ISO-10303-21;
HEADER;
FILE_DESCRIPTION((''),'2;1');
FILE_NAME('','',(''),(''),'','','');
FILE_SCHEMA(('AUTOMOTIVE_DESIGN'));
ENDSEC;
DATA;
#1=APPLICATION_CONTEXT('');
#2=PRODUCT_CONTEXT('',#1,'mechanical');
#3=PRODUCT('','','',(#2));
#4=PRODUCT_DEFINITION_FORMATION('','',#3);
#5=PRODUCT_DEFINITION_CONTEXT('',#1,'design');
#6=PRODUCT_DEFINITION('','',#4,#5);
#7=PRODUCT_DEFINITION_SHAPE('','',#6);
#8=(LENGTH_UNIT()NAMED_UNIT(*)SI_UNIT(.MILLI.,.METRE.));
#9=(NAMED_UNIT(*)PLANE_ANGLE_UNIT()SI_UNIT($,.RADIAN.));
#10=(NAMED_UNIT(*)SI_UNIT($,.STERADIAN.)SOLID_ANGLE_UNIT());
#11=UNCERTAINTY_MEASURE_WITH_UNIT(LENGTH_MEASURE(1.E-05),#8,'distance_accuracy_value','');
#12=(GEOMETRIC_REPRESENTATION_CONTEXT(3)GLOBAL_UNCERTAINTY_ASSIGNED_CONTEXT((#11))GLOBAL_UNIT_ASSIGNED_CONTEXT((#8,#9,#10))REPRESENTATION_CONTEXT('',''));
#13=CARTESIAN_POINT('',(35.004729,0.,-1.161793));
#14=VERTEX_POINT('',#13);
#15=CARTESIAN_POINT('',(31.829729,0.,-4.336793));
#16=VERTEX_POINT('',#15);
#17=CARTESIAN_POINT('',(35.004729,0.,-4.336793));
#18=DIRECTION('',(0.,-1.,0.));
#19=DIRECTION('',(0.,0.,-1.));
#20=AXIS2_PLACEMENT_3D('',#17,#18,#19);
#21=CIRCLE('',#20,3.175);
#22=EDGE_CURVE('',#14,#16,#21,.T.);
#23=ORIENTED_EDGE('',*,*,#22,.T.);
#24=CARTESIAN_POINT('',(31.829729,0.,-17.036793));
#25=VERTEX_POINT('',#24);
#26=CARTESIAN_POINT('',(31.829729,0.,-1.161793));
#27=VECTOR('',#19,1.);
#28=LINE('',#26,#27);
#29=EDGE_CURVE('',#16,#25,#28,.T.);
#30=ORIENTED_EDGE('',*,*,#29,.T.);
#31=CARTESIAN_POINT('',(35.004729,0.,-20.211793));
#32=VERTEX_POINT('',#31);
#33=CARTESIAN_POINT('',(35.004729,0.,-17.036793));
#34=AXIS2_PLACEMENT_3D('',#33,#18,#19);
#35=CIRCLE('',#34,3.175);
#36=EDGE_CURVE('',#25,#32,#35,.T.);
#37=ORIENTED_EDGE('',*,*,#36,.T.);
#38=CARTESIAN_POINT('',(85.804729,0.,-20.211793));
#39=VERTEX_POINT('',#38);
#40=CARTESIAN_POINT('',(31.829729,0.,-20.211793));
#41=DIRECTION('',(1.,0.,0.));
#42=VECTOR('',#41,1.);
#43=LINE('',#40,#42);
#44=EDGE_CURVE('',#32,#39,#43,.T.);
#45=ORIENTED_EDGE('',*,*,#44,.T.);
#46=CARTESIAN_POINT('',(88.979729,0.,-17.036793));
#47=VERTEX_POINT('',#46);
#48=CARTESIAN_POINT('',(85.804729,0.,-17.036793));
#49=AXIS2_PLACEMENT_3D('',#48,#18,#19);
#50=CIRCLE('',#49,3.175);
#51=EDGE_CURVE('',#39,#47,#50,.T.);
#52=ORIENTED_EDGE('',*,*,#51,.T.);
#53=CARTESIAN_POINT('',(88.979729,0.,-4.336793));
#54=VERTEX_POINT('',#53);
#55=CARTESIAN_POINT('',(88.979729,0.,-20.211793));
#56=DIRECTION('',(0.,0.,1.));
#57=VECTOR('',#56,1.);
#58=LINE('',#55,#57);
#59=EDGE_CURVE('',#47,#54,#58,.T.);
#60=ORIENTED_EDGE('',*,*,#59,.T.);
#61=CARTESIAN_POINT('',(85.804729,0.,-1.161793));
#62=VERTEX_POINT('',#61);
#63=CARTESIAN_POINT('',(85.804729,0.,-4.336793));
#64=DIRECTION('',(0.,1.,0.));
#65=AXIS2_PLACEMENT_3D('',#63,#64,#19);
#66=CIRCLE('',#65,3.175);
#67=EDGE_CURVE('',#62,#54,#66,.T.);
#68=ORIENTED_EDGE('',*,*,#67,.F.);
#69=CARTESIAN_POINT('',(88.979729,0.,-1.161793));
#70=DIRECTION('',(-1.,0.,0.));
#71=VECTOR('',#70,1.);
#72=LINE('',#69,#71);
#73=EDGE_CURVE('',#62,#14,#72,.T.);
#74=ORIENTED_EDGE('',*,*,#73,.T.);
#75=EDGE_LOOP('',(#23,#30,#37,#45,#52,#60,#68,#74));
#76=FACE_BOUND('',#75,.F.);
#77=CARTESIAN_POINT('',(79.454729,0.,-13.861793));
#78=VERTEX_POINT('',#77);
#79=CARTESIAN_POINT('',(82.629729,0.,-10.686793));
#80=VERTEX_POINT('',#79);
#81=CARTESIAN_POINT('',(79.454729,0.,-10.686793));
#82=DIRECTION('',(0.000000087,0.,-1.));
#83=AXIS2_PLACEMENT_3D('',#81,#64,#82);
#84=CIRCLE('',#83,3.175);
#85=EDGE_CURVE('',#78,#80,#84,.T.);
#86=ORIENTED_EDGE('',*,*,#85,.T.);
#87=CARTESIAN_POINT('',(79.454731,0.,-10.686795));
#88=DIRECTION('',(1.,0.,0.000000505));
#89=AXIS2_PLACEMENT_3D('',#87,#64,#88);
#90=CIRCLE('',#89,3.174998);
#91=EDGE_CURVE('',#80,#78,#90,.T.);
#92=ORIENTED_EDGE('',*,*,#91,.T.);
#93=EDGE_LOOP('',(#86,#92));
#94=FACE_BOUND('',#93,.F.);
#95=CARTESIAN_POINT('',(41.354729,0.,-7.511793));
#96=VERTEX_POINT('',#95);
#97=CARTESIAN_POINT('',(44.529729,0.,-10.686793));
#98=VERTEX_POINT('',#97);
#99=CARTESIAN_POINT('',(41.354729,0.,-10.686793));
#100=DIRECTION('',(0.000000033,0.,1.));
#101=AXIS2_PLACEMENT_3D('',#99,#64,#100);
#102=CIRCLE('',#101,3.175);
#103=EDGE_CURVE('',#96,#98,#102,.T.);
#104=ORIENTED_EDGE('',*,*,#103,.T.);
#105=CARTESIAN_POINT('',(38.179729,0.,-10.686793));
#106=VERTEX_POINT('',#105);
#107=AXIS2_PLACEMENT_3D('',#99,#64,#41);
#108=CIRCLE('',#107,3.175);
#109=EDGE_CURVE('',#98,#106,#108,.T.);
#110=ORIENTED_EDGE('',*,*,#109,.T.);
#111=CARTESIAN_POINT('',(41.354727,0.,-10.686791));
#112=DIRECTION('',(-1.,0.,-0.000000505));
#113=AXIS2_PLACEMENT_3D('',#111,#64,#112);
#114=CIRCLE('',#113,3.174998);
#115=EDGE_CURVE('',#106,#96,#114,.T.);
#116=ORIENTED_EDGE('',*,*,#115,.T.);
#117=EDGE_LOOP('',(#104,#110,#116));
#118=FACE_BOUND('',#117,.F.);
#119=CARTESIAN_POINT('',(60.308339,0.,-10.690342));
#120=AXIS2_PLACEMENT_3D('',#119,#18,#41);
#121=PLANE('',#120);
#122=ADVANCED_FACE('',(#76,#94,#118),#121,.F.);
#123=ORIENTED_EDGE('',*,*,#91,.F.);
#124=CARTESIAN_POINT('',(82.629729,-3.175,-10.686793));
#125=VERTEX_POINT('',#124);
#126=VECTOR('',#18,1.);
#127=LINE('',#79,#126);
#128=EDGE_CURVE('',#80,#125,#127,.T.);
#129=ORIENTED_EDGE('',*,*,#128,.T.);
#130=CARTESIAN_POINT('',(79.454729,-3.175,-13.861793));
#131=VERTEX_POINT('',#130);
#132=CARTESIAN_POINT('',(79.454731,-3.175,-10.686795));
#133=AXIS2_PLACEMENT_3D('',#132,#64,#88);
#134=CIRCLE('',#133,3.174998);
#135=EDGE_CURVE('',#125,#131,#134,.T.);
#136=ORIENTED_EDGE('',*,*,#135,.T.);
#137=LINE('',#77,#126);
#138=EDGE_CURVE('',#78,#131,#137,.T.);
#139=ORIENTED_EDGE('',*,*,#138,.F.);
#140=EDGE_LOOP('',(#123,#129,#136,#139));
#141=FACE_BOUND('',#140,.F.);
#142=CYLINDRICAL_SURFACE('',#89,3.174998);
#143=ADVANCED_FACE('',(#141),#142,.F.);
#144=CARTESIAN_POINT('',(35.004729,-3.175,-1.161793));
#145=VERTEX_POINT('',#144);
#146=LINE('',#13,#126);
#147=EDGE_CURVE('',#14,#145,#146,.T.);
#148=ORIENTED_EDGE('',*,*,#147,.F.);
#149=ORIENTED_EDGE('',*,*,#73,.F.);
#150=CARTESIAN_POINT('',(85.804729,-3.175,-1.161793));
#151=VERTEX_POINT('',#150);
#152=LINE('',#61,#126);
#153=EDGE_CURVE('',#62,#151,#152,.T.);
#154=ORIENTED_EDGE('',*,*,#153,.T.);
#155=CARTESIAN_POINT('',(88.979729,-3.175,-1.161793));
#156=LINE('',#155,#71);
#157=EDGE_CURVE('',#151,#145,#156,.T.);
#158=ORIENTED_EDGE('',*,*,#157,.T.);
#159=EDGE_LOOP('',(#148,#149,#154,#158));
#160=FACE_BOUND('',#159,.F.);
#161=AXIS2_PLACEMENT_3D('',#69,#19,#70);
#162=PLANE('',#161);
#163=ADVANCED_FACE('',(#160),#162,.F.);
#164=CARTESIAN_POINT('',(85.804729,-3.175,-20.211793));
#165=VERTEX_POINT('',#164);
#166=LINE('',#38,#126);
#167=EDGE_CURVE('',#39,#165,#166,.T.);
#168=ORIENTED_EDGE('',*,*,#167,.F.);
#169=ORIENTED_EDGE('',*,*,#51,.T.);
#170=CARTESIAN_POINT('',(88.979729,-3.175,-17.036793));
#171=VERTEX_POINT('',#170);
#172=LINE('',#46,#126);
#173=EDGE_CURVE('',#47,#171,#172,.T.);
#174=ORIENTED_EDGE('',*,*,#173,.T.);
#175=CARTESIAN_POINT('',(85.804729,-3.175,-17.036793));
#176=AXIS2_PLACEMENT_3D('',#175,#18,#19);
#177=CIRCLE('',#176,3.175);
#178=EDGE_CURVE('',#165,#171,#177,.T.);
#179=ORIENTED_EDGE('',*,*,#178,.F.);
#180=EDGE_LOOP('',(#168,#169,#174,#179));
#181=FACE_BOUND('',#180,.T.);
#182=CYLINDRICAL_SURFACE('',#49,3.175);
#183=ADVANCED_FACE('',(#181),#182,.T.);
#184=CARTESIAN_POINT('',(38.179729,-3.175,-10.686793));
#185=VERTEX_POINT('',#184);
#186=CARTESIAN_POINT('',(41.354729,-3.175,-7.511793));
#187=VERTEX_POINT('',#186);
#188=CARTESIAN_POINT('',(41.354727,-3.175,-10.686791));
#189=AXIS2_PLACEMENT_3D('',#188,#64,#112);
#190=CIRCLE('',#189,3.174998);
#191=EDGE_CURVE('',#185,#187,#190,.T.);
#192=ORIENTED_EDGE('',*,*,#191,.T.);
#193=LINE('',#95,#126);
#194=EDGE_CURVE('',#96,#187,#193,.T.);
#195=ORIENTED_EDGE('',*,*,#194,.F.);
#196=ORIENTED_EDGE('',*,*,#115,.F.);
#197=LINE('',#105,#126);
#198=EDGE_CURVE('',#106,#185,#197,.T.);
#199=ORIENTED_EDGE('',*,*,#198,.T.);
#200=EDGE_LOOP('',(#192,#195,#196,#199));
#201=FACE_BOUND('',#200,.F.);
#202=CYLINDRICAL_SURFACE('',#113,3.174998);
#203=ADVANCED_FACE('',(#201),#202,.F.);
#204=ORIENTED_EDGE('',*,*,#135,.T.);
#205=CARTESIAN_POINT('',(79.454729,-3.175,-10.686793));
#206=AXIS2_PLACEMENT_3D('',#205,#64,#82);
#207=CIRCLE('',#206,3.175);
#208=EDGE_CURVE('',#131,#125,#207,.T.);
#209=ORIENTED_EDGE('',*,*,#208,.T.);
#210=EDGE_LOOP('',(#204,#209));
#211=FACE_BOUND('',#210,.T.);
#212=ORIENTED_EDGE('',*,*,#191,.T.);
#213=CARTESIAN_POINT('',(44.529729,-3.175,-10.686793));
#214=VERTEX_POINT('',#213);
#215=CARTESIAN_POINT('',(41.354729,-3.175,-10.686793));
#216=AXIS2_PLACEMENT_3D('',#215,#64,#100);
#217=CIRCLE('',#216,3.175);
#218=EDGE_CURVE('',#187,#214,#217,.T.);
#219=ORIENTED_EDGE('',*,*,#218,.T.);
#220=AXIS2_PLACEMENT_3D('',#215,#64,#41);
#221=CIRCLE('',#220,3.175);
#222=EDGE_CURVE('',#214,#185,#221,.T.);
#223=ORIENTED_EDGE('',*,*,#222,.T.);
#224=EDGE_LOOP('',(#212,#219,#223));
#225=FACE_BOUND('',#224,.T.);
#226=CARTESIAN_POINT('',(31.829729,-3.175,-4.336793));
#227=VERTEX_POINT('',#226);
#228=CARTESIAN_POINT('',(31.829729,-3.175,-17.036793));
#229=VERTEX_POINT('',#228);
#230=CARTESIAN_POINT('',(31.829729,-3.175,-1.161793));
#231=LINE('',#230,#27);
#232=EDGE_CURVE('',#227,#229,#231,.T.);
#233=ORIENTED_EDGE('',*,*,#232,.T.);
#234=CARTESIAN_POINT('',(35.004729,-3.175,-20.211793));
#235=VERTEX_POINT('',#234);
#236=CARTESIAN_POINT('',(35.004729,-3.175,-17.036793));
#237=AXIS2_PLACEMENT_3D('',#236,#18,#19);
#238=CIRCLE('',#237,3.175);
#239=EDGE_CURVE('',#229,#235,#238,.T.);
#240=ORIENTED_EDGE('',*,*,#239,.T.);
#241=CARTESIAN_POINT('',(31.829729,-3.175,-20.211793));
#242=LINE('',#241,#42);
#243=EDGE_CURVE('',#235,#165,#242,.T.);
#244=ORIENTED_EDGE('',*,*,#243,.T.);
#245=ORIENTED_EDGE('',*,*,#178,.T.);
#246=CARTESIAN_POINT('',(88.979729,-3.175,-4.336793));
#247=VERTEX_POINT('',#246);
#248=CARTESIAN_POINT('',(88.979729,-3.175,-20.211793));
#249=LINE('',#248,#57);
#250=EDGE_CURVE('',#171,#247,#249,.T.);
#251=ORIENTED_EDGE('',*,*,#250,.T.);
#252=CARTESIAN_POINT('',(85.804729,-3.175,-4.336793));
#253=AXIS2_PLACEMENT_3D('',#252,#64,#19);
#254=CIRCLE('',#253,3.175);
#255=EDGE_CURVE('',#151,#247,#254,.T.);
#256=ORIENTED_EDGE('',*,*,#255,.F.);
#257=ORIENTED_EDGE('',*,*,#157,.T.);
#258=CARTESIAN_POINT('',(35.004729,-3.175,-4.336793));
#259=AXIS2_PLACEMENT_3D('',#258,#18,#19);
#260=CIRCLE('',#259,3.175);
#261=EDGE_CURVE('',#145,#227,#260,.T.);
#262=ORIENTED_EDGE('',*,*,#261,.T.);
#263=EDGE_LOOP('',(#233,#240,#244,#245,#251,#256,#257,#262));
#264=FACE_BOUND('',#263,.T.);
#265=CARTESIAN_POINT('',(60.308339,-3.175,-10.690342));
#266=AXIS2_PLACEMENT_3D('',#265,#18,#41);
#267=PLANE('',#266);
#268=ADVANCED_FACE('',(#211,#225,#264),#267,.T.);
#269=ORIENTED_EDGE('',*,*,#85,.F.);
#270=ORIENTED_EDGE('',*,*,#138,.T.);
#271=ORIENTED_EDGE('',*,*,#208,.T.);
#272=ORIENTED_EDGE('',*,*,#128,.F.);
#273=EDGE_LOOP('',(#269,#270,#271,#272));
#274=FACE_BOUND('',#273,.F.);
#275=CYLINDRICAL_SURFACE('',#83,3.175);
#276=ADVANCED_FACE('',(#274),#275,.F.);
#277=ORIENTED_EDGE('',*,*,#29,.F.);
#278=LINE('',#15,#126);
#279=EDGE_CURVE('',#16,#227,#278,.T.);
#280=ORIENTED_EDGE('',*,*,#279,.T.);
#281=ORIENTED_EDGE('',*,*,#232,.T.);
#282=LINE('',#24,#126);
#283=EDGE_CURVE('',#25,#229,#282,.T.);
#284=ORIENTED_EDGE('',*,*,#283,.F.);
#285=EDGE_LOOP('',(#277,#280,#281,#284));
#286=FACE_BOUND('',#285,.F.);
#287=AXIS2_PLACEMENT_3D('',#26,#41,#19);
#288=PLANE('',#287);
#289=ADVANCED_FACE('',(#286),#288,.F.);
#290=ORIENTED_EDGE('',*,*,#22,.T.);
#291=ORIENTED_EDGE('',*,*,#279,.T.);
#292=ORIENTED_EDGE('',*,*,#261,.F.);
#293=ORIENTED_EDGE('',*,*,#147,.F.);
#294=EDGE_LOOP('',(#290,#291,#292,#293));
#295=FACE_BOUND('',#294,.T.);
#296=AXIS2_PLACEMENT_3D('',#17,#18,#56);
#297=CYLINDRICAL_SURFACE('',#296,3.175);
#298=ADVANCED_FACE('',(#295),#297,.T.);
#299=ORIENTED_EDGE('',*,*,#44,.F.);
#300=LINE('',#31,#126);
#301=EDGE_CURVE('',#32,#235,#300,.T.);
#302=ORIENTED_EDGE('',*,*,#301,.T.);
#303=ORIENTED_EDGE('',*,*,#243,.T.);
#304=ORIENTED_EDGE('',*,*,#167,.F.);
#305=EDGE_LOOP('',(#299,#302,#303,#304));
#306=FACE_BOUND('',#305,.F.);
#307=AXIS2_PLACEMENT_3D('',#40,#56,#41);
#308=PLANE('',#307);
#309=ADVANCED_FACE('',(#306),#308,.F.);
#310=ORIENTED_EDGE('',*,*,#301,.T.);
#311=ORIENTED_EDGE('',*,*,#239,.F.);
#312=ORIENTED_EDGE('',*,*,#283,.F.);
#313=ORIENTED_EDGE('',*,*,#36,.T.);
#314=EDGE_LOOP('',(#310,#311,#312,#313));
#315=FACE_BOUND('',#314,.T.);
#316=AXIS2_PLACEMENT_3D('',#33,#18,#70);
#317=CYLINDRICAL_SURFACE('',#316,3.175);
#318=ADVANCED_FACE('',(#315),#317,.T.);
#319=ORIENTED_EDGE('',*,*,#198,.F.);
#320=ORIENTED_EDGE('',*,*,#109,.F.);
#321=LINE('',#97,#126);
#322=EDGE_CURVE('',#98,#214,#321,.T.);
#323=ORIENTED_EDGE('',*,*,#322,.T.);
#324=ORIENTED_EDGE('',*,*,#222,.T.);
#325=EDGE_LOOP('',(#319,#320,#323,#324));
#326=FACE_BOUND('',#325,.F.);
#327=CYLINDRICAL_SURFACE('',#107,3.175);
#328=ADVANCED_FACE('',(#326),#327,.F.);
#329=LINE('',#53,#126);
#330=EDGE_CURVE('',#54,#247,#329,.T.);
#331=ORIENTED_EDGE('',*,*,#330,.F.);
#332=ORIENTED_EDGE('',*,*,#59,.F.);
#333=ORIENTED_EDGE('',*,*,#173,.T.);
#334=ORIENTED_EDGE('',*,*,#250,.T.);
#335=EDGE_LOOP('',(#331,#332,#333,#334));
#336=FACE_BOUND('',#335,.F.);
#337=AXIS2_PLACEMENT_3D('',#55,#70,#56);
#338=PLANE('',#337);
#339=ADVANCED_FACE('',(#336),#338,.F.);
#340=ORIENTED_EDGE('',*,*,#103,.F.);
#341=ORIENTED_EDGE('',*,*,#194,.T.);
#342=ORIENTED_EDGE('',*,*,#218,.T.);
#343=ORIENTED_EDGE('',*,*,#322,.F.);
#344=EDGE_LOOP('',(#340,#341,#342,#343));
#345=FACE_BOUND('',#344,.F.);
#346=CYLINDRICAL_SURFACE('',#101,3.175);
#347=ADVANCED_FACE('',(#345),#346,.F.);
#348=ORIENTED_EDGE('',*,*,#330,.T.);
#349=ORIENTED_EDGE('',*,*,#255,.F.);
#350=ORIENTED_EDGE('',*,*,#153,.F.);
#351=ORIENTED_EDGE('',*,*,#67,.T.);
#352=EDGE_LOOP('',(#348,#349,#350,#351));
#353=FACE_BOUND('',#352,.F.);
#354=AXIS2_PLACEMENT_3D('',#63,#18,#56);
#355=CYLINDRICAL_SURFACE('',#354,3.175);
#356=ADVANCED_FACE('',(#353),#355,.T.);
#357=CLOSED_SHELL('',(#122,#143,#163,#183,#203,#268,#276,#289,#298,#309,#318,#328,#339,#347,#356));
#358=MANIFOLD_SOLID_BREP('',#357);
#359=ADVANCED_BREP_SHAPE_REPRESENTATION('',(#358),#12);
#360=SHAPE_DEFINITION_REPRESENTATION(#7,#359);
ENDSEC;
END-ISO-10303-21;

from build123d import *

# Parameters (mm, degrees)
F1_DEPTH = 3.175
F2_R     = 3.175


with BuildPart() as f1:
    # F0 (on Front) → F1 (new body)
    with BuildSketch(Plane.XZ):
        with BuildLine():
            Line((88.979729, -1.161793), (41.354729, -1.161793))
            Line((41.354729, -1.161793), (41.354729, -7.511793))
            ThreePointArc((41.354729, -7.511793), (43.599793, -8.441729), (44.529729, -10.686793))
            ThreePointArc((44.529729, -10.686793), (41.354729, -13.861793), (38.179729, -10.686793))
            Line((38.179729, -10.686793), (31.829729, -10.686793))
            Line((31.829729, -10.686793), (31.829729, -20.211793))
            Line((31.829729, -20.211793), (79.454729, -20.211793))
            Line((79.454729, -20.211793), (79.454729, -13.861793))
            ThreePointArc((79.454729, -13.861793), (77.209664, -8.441729), (82.629729, -10.686793))
            Line((82.629729, -10.686793), (88.979729, -10.686793))
            Line((88.979729, -10.686793), (88.979729, -1.161793))
        make_face()
        with BuildLine():
            Line((41.354729, -1.161793), (31.829729, -1.161793))
            Line((31.829729, -1.161793), (31.829729, -10.686793))
            Line((31.829729, -10.686793), (38.179729, -10.686793))
            ThreePointArc((38.179729, -10.686793), (39.109664, -8.441729), (41.354729, -7.511793))
            Line((41.354729, -7.511793), (41.354729, -1.161793))
        make_face()
        with BuildLine():
            Line((88.979729, -20.211793), (88.979729, -10.686793))
            Line((88.979729, -10.686793), (82.629729, -10.686793))
            ThreePointArc((82.629729, -10.686793), (81.699793, -12.931858), (79.454729, -13.861793))
            Line((79.454729, -13.861793), (79.454729, -20.211793))
            Line((79.454729, -20.211793), (88.979729, -20.211793))
        make_face()
    extrude(amount=F1_DEPTH)

    # F2
    f2_edges = [f1.edges().sort_by_distance(p)[0] for p in [
        (31.829729, -1.5875, -1.161793),
        (31.829729, -1.5875, -20.211793),
        (88.979729, -1.5875, -20.211793),
        (88.979729, -1.5875, -1.161793),
    ]]
    fillet(f2_edges, radius=F2_R)


solid = f1.part
